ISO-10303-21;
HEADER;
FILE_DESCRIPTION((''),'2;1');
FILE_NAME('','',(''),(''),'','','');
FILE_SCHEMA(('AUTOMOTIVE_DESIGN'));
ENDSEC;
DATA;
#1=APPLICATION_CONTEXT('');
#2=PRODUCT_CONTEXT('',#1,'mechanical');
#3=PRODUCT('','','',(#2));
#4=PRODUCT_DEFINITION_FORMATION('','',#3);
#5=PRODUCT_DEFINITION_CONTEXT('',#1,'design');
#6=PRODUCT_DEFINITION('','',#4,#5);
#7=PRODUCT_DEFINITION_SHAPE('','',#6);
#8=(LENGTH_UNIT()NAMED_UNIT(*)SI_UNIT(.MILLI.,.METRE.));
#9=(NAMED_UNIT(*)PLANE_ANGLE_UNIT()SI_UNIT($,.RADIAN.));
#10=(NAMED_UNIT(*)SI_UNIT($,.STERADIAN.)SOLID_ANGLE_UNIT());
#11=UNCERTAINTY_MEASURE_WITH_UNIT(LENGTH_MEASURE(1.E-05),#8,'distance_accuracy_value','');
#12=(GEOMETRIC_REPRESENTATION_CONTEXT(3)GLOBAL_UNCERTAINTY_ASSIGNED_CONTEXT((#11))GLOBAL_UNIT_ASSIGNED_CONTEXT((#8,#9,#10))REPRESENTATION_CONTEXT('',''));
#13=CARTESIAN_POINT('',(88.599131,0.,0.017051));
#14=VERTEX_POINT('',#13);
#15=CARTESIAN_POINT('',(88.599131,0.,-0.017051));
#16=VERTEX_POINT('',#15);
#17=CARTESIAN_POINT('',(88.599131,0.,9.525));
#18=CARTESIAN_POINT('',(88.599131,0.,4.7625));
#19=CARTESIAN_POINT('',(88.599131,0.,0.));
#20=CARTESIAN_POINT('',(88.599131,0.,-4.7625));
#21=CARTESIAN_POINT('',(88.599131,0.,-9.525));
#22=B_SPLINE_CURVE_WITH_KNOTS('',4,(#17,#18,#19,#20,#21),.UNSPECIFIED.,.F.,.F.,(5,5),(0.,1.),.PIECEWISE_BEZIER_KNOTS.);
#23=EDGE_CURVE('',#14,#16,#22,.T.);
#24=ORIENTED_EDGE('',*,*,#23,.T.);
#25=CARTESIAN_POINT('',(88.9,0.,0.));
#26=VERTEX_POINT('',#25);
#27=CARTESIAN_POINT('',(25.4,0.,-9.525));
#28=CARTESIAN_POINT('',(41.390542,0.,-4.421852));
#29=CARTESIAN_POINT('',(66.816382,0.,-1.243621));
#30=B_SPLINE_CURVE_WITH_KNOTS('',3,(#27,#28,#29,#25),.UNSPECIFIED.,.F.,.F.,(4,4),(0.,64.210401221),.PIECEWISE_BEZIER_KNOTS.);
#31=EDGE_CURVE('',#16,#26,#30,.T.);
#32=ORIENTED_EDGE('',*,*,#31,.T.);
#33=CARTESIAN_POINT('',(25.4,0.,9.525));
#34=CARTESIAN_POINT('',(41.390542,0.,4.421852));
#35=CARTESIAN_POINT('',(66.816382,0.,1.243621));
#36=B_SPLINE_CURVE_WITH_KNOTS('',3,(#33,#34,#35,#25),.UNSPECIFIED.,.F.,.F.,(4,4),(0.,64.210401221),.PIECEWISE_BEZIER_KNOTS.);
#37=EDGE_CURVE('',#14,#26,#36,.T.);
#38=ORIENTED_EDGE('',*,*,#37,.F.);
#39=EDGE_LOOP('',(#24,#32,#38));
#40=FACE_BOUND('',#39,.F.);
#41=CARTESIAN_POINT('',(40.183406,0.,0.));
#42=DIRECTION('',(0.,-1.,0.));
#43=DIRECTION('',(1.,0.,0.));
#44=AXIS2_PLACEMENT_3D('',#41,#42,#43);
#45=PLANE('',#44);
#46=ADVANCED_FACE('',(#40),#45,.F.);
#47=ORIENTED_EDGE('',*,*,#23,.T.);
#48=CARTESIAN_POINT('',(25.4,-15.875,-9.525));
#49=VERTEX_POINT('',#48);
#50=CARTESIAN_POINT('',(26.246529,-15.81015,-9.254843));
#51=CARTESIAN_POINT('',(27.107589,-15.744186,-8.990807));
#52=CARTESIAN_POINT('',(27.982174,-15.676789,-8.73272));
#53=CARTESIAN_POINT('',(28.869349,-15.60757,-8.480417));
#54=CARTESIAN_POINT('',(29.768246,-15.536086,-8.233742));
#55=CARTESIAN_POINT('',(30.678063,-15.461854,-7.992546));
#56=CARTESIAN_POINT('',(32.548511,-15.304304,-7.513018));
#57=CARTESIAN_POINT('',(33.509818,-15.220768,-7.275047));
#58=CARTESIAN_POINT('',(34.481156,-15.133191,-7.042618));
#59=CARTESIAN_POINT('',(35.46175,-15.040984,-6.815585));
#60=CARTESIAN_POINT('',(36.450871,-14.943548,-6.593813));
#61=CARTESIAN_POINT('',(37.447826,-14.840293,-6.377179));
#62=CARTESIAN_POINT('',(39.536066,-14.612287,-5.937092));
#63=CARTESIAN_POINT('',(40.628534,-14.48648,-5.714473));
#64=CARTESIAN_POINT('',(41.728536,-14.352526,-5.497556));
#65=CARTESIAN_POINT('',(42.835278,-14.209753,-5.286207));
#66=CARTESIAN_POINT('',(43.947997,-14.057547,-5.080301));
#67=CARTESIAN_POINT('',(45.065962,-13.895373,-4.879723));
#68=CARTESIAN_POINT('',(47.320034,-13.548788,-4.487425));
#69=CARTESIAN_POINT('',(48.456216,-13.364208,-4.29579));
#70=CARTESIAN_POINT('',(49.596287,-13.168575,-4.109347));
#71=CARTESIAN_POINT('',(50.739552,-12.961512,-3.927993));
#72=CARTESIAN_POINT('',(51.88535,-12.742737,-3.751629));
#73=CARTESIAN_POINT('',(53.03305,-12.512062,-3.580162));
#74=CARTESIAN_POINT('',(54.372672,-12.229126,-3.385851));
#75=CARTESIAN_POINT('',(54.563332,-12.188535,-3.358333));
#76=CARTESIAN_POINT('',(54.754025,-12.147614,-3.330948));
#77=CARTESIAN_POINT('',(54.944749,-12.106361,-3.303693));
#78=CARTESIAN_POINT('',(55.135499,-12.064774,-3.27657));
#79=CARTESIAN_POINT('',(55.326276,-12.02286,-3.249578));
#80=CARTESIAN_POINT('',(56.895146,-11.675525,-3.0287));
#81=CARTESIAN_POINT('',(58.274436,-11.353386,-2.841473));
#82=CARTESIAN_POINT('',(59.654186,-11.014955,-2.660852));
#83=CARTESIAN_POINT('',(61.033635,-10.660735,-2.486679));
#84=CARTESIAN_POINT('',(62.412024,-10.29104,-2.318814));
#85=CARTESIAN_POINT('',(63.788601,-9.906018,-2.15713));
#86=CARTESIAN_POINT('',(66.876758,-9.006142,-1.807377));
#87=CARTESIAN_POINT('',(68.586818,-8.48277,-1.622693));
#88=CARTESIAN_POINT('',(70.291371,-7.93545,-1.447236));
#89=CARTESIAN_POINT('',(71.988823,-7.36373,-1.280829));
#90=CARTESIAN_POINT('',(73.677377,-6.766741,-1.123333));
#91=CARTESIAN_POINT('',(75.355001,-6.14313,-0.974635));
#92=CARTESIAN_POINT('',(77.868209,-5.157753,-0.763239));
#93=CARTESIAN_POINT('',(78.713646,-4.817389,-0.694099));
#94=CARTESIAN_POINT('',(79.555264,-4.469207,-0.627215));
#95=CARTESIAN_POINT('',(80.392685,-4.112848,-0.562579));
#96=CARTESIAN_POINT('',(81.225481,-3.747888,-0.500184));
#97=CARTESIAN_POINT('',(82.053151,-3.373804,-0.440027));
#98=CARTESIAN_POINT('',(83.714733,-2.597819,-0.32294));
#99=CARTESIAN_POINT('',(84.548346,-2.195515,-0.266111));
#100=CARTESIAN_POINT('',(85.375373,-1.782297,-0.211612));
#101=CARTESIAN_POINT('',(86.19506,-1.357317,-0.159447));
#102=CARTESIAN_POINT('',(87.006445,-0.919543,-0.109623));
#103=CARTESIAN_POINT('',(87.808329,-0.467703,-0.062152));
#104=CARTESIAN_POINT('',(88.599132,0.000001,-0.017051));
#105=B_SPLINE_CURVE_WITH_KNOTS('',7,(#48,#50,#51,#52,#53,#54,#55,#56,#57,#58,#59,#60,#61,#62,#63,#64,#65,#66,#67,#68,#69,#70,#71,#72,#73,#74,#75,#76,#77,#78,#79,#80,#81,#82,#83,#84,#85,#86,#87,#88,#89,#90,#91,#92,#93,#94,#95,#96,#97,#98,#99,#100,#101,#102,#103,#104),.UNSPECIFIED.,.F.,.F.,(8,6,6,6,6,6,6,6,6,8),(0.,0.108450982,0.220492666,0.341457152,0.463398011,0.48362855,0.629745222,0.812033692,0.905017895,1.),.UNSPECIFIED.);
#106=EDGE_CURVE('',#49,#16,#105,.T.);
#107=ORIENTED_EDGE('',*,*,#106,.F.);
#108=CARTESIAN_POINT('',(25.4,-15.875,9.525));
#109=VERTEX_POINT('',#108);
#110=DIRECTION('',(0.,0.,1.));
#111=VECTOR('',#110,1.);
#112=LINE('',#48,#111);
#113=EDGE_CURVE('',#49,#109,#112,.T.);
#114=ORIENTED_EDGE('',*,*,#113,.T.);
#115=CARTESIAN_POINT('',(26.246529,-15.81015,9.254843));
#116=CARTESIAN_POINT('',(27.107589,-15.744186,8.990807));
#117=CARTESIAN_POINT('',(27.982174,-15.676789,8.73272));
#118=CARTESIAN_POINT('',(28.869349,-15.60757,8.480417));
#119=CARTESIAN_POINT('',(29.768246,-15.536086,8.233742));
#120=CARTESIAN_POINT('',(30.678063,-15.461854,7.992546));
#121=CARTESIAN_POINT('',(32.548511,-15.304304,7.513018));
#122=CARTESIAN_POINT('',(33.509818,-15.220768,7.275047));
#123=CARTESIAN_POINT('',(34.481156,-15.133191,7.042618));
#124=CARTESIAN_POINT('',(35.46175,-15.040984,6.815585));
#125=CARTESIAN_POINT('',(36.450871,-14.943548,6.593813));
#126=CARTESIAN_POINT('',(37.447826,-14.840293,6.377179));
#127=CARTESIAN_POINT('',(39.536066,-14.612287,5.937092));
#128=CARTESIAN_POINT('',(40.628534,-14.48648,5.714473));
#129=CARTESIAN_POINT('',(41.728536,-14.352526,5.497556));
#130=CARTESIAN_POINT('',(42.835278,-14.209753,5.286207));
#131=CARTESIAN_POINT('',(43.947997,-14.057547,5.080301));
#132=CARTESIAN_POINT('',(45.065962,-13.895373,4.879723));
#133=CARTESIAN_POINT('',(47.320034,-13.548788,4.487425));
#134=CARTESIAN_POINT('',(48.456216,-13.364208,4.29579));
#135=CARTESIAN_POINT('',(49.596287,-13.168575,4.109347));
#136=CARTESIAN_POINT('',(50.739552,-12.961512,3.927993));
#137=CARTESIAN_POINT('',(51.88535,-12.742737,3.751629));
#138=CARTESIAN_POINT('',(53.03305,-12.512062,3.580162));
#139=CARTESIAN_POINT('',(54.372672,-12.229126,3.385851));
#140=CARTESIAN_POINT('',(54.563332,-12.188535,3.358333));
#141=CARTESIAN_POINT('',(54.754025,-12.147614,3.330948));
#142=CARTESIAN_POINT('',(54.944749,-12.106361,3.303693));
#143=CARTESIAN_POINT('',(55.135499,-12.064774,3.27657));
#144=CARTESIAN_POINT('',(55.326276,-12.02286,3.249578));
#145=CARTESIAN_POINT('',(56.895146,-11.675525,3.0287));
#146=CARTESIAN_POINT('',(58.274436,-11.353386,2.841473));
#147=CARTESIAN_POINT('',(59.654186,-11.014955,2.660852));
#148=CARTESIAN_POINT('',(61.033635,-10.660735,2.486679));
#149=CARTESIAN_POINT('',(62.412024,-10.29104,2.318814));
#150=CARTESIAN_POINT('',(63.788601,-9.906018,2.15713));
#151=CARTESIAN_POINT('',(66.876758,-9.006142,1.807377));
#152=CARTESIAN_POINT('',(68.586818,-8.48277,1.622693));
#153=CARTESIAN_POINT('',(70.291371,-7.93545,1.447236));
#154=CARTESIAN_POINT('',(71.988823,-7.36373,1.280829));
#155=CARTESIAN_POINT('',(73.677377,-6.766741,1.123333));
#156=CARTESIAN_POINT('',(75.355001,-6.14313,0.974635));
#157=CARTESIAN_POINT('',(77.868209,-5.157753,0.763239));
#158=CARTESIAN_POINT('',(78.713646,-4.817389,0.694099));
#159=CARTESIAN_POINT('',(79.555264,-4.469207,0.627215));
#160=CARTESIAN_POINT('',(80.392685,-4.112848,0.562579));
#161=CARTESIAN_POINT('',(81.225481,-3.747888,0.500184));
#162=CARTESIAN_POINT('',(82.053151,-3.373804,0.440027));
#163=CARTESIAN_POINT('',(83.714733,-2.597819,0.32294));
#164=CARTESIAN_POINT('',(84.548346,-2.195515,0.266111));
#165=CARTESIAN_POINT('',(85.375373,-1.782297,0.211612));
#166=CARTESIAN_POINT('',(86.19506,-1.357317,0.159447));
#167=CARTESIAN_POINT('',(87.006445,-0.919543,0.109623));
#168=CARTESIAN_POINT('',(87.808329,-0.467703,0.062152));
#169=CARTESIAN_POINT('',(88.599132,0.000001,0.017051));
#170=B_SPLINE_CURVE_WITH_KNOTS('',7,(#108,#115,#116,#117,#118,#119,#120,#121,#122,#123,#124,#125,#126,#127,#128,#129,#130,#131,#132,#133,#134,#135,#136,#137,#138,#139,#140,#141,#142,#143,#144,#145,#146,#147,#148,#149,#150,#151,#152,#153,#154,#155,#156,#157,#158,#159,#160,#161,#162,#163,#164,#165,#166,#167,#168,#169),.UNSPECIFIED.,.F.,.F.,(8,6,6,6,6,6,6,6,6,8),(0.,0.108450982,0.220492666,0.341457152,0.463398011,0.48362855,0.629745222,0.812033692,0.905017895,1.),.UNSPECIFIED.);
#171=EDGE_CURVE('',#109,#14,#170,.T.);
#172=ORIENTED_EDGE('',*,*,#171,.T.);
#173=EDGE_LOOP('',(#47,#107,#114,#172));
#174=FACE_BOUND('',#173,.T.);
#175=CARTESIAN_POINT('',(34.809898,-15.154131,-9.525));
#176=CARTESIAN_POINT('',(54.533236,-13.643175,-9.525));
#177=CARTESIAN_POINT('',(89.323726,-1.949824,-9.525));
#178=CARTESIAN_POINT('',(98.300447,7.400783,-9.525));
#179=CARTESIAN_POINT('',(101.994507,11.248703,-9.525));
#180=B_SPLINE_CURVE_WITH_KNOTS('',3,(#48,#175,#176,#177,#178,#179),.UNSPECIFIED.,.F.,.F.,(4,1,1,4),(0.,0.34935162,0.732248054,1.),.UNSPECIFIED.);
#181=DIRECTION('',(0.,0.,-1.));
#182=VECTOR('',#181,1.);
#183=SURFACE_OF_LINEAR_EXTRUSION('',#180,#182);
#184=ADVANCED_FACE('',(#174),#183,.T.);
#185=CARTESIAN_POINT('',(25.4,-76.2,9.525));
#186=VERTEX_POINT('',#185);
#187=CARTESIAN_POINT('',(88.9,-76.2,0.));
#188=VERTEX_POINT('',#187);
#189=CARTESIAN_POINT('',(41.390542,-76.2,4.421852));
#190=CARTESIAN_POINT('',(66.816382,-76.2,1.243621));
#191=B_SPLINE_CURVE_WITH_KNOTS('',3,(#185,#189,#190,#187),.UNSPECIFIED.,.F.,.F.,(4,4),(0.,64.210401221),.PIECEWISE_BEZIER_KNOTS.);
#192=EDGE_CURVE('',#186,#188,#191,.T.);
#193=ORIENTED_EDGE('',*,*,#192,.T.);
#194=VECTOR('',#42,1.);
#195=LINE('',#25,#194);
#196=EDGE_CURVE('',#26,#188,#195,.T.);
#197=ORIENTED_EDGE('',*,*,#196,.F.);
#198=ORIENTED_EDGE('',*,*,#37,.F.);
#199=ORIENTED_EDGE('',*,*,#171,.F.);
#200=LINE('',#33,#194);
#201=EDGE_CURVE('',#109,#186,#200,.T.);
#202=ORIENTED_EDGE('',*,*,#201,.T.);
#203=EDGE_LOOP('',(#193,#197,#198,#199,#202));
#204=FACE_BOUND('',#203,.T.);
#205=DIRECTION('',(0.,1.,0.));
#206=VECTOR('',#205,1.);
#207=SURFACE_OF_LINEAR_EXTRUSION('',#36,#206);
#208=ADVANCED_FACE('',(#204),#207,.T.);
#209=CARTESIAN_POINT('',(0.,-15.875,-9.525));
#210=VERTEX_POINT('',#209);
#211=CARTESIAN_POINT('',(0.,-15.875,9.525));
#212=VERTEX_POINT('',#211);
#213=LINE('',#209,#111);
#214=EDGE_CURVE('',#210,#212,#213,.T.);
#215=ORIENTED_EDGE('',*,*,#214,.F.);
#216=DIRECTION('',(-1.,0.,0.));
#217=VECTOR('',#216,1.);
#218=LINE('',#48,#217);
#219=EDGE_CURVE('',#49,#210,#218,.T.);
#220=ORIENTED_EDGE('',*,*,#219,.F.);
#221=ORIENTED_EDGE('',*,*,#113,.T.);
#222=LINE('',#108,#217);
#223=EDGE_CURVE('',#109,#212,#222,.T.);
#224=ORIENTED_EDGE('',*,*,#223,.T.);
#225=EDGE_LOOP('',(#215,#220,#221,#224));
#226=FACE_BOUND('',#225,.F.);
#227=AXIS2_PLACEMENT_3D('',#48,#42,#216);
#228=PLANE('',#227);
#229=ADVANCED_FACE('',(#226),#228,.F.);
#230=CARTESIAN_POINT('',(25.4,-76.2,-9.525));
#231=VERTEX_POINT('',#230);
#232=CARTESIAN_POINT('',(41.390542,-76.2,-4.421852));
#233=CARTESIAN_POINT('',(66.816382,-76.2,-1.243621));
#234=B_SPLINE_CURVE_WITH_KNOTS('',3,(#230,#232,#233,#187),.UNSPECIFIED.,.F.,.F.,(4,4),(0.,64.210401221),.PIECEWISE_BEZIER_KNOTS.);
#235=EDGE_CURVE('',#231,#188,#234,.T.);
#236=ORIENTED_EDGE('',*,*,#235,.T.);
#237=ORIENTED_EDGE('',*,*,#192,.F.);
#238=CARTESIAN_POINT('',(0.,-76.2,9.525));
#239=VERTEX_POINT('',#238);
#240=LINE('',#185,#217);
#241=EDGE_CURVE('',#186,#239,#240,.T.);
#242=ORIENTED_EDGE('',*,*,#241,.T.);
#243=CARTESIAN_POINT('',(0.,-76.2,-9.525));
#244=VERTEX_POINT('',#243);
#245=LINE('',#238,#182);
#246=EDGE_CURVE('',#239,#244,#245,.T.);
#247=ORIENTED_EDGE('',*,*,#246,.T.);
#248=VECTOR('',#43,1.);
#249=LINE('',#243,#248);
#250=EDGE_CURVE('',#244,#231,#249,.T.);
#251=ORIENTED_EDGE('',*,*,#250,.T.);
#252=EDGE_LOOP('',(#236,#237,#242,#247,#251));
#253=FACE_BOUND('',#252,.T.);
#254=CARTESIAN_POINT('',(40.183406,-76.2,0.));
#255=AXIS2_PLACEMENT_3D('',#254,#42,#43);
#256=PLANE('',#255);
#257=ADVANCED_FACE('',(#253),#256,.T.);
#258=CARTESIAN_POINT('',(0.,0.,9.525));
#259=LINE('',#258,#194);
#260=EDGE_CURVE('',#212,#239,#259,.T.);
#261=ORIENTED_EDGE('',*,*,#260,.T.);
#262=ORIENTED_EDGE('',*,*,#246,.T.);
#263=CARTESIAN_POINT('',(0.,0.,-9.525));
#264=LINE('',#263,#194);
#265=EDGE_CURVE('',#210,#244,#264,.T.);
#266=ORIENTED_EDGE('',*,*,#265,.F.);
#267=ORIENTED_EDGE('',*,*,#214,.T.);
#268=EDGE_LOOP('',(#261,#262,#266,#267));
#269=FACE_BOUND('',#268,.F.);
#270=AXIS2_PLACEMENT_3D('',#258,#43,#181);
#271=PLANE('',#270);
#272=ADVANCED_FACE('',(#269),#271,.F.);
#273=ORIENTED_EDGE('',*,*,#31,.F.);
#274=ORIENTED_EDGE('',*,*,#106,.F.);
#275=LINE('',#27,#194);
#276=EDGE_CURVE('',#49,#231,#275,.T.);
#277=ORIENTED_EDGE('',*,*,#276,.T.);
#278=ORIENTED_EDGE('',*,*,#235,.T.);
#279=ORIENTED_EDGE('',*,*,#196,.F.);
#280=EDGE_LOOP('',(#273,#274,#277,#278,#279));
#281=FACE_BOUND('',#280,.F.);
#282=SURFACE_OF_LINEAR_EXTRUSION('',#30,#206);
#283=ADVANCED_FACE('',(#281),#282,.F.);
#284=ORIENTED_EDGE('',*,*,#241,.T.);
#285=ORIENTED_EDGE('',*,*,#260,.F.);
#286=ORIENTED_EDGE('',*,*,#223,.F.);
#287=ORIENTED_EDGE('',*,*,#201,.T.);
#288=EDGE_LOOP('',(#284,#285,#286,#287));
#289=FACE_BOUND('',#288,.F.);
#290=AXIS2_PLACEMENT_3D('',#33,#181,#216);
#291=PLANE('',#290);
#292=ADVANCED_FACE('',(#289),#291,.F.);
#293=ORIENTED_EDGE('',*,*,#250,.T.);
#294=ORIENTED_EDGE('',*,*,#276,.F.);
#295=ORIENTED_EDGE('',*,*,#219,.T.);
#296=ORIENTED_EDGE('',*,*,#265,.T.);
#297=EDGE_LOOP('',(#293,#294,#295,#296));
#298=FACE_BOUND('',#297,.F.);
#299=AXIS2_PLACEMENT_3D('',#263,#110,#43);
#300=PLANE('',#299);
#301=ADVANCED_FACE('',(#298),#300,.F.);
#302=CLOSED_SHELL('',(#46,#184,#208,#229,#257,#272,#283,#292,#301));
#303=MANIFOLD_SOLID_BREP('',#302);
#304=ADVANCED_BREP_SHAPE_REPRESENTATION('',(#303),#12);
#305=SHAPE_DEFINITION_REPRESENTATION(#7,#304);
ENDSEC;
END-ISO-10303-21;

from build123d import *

# Parameters (mm, degrees)
F1_DEPTH = 76.2
F3_DEPTH = 19.0510001


with BuildPart() as f1:
    # F0 (on Front) → F1 (new body)
    with BuildSketch(Plane.XZ):
        with BuildLine():
            Line((0, 9.525), (0, 0))
            Line((0, 0), (0, -9.525))
            Line((0, -9.525), (25.4, -9.525))
            add(Edge.make_bspline(
                [(25.4, -9.525), (41.3905419409, -4.4218520634), (66.8163821101, -1.2436214602), (88.9, 0)],
                knots=[0, 0, 0, 0, 64.2104012213, 64.2104012213, 64.2104012213, 64.2104012213], degree=3))
            add(Edge.make_bspline(
                [(25.4, 9.525), (41.3905419409, 4.4218520634), (66.8163821101, 1.2436214602), (88.9, 0)],
                knots=[0, 0, 0, 0, 64.2104012213, 64.2104012213, 64.2104012213, 64.2104012213], degree=3))
            Line((25.4, 9.525), (0, 9.525))
        make_face()
    extrude(amount=F1_DEPTH)

    # F2 (on face) → F3 (cut, through all)
    with BuildSketch(Plane(origin=(0, 0, -9.525), x_dir=(1, 0, 0), z_dir=(0, 0, -1))):
        with BuildLine():
            Line((25.4, 15.875), (0, 15.875))
            Line((0, 15.875), (0, -11.2487031147))
            Line((0, -11.2487031147), (101.9945070148, -11.2487031147))
            add(Edge.make_bspline(
                [(25.4, 15.875), (34.8098984218, 15.1541309968), (54.5332356066, 13.6431750036), (89.3237261399, 1.9498237786), (98.3004466526, -7.4007828075), (101.9945070148, -11.2487031147)],
                knots=[0, 0, 0, 0, 0.3493516204, 0.7322480537, 1, 1, 1, 1], degree=3))
        make_face()
    extrude(amount=-F3_DEPTH, mode=Mode.SUBTRACT)


solid = f1.part
